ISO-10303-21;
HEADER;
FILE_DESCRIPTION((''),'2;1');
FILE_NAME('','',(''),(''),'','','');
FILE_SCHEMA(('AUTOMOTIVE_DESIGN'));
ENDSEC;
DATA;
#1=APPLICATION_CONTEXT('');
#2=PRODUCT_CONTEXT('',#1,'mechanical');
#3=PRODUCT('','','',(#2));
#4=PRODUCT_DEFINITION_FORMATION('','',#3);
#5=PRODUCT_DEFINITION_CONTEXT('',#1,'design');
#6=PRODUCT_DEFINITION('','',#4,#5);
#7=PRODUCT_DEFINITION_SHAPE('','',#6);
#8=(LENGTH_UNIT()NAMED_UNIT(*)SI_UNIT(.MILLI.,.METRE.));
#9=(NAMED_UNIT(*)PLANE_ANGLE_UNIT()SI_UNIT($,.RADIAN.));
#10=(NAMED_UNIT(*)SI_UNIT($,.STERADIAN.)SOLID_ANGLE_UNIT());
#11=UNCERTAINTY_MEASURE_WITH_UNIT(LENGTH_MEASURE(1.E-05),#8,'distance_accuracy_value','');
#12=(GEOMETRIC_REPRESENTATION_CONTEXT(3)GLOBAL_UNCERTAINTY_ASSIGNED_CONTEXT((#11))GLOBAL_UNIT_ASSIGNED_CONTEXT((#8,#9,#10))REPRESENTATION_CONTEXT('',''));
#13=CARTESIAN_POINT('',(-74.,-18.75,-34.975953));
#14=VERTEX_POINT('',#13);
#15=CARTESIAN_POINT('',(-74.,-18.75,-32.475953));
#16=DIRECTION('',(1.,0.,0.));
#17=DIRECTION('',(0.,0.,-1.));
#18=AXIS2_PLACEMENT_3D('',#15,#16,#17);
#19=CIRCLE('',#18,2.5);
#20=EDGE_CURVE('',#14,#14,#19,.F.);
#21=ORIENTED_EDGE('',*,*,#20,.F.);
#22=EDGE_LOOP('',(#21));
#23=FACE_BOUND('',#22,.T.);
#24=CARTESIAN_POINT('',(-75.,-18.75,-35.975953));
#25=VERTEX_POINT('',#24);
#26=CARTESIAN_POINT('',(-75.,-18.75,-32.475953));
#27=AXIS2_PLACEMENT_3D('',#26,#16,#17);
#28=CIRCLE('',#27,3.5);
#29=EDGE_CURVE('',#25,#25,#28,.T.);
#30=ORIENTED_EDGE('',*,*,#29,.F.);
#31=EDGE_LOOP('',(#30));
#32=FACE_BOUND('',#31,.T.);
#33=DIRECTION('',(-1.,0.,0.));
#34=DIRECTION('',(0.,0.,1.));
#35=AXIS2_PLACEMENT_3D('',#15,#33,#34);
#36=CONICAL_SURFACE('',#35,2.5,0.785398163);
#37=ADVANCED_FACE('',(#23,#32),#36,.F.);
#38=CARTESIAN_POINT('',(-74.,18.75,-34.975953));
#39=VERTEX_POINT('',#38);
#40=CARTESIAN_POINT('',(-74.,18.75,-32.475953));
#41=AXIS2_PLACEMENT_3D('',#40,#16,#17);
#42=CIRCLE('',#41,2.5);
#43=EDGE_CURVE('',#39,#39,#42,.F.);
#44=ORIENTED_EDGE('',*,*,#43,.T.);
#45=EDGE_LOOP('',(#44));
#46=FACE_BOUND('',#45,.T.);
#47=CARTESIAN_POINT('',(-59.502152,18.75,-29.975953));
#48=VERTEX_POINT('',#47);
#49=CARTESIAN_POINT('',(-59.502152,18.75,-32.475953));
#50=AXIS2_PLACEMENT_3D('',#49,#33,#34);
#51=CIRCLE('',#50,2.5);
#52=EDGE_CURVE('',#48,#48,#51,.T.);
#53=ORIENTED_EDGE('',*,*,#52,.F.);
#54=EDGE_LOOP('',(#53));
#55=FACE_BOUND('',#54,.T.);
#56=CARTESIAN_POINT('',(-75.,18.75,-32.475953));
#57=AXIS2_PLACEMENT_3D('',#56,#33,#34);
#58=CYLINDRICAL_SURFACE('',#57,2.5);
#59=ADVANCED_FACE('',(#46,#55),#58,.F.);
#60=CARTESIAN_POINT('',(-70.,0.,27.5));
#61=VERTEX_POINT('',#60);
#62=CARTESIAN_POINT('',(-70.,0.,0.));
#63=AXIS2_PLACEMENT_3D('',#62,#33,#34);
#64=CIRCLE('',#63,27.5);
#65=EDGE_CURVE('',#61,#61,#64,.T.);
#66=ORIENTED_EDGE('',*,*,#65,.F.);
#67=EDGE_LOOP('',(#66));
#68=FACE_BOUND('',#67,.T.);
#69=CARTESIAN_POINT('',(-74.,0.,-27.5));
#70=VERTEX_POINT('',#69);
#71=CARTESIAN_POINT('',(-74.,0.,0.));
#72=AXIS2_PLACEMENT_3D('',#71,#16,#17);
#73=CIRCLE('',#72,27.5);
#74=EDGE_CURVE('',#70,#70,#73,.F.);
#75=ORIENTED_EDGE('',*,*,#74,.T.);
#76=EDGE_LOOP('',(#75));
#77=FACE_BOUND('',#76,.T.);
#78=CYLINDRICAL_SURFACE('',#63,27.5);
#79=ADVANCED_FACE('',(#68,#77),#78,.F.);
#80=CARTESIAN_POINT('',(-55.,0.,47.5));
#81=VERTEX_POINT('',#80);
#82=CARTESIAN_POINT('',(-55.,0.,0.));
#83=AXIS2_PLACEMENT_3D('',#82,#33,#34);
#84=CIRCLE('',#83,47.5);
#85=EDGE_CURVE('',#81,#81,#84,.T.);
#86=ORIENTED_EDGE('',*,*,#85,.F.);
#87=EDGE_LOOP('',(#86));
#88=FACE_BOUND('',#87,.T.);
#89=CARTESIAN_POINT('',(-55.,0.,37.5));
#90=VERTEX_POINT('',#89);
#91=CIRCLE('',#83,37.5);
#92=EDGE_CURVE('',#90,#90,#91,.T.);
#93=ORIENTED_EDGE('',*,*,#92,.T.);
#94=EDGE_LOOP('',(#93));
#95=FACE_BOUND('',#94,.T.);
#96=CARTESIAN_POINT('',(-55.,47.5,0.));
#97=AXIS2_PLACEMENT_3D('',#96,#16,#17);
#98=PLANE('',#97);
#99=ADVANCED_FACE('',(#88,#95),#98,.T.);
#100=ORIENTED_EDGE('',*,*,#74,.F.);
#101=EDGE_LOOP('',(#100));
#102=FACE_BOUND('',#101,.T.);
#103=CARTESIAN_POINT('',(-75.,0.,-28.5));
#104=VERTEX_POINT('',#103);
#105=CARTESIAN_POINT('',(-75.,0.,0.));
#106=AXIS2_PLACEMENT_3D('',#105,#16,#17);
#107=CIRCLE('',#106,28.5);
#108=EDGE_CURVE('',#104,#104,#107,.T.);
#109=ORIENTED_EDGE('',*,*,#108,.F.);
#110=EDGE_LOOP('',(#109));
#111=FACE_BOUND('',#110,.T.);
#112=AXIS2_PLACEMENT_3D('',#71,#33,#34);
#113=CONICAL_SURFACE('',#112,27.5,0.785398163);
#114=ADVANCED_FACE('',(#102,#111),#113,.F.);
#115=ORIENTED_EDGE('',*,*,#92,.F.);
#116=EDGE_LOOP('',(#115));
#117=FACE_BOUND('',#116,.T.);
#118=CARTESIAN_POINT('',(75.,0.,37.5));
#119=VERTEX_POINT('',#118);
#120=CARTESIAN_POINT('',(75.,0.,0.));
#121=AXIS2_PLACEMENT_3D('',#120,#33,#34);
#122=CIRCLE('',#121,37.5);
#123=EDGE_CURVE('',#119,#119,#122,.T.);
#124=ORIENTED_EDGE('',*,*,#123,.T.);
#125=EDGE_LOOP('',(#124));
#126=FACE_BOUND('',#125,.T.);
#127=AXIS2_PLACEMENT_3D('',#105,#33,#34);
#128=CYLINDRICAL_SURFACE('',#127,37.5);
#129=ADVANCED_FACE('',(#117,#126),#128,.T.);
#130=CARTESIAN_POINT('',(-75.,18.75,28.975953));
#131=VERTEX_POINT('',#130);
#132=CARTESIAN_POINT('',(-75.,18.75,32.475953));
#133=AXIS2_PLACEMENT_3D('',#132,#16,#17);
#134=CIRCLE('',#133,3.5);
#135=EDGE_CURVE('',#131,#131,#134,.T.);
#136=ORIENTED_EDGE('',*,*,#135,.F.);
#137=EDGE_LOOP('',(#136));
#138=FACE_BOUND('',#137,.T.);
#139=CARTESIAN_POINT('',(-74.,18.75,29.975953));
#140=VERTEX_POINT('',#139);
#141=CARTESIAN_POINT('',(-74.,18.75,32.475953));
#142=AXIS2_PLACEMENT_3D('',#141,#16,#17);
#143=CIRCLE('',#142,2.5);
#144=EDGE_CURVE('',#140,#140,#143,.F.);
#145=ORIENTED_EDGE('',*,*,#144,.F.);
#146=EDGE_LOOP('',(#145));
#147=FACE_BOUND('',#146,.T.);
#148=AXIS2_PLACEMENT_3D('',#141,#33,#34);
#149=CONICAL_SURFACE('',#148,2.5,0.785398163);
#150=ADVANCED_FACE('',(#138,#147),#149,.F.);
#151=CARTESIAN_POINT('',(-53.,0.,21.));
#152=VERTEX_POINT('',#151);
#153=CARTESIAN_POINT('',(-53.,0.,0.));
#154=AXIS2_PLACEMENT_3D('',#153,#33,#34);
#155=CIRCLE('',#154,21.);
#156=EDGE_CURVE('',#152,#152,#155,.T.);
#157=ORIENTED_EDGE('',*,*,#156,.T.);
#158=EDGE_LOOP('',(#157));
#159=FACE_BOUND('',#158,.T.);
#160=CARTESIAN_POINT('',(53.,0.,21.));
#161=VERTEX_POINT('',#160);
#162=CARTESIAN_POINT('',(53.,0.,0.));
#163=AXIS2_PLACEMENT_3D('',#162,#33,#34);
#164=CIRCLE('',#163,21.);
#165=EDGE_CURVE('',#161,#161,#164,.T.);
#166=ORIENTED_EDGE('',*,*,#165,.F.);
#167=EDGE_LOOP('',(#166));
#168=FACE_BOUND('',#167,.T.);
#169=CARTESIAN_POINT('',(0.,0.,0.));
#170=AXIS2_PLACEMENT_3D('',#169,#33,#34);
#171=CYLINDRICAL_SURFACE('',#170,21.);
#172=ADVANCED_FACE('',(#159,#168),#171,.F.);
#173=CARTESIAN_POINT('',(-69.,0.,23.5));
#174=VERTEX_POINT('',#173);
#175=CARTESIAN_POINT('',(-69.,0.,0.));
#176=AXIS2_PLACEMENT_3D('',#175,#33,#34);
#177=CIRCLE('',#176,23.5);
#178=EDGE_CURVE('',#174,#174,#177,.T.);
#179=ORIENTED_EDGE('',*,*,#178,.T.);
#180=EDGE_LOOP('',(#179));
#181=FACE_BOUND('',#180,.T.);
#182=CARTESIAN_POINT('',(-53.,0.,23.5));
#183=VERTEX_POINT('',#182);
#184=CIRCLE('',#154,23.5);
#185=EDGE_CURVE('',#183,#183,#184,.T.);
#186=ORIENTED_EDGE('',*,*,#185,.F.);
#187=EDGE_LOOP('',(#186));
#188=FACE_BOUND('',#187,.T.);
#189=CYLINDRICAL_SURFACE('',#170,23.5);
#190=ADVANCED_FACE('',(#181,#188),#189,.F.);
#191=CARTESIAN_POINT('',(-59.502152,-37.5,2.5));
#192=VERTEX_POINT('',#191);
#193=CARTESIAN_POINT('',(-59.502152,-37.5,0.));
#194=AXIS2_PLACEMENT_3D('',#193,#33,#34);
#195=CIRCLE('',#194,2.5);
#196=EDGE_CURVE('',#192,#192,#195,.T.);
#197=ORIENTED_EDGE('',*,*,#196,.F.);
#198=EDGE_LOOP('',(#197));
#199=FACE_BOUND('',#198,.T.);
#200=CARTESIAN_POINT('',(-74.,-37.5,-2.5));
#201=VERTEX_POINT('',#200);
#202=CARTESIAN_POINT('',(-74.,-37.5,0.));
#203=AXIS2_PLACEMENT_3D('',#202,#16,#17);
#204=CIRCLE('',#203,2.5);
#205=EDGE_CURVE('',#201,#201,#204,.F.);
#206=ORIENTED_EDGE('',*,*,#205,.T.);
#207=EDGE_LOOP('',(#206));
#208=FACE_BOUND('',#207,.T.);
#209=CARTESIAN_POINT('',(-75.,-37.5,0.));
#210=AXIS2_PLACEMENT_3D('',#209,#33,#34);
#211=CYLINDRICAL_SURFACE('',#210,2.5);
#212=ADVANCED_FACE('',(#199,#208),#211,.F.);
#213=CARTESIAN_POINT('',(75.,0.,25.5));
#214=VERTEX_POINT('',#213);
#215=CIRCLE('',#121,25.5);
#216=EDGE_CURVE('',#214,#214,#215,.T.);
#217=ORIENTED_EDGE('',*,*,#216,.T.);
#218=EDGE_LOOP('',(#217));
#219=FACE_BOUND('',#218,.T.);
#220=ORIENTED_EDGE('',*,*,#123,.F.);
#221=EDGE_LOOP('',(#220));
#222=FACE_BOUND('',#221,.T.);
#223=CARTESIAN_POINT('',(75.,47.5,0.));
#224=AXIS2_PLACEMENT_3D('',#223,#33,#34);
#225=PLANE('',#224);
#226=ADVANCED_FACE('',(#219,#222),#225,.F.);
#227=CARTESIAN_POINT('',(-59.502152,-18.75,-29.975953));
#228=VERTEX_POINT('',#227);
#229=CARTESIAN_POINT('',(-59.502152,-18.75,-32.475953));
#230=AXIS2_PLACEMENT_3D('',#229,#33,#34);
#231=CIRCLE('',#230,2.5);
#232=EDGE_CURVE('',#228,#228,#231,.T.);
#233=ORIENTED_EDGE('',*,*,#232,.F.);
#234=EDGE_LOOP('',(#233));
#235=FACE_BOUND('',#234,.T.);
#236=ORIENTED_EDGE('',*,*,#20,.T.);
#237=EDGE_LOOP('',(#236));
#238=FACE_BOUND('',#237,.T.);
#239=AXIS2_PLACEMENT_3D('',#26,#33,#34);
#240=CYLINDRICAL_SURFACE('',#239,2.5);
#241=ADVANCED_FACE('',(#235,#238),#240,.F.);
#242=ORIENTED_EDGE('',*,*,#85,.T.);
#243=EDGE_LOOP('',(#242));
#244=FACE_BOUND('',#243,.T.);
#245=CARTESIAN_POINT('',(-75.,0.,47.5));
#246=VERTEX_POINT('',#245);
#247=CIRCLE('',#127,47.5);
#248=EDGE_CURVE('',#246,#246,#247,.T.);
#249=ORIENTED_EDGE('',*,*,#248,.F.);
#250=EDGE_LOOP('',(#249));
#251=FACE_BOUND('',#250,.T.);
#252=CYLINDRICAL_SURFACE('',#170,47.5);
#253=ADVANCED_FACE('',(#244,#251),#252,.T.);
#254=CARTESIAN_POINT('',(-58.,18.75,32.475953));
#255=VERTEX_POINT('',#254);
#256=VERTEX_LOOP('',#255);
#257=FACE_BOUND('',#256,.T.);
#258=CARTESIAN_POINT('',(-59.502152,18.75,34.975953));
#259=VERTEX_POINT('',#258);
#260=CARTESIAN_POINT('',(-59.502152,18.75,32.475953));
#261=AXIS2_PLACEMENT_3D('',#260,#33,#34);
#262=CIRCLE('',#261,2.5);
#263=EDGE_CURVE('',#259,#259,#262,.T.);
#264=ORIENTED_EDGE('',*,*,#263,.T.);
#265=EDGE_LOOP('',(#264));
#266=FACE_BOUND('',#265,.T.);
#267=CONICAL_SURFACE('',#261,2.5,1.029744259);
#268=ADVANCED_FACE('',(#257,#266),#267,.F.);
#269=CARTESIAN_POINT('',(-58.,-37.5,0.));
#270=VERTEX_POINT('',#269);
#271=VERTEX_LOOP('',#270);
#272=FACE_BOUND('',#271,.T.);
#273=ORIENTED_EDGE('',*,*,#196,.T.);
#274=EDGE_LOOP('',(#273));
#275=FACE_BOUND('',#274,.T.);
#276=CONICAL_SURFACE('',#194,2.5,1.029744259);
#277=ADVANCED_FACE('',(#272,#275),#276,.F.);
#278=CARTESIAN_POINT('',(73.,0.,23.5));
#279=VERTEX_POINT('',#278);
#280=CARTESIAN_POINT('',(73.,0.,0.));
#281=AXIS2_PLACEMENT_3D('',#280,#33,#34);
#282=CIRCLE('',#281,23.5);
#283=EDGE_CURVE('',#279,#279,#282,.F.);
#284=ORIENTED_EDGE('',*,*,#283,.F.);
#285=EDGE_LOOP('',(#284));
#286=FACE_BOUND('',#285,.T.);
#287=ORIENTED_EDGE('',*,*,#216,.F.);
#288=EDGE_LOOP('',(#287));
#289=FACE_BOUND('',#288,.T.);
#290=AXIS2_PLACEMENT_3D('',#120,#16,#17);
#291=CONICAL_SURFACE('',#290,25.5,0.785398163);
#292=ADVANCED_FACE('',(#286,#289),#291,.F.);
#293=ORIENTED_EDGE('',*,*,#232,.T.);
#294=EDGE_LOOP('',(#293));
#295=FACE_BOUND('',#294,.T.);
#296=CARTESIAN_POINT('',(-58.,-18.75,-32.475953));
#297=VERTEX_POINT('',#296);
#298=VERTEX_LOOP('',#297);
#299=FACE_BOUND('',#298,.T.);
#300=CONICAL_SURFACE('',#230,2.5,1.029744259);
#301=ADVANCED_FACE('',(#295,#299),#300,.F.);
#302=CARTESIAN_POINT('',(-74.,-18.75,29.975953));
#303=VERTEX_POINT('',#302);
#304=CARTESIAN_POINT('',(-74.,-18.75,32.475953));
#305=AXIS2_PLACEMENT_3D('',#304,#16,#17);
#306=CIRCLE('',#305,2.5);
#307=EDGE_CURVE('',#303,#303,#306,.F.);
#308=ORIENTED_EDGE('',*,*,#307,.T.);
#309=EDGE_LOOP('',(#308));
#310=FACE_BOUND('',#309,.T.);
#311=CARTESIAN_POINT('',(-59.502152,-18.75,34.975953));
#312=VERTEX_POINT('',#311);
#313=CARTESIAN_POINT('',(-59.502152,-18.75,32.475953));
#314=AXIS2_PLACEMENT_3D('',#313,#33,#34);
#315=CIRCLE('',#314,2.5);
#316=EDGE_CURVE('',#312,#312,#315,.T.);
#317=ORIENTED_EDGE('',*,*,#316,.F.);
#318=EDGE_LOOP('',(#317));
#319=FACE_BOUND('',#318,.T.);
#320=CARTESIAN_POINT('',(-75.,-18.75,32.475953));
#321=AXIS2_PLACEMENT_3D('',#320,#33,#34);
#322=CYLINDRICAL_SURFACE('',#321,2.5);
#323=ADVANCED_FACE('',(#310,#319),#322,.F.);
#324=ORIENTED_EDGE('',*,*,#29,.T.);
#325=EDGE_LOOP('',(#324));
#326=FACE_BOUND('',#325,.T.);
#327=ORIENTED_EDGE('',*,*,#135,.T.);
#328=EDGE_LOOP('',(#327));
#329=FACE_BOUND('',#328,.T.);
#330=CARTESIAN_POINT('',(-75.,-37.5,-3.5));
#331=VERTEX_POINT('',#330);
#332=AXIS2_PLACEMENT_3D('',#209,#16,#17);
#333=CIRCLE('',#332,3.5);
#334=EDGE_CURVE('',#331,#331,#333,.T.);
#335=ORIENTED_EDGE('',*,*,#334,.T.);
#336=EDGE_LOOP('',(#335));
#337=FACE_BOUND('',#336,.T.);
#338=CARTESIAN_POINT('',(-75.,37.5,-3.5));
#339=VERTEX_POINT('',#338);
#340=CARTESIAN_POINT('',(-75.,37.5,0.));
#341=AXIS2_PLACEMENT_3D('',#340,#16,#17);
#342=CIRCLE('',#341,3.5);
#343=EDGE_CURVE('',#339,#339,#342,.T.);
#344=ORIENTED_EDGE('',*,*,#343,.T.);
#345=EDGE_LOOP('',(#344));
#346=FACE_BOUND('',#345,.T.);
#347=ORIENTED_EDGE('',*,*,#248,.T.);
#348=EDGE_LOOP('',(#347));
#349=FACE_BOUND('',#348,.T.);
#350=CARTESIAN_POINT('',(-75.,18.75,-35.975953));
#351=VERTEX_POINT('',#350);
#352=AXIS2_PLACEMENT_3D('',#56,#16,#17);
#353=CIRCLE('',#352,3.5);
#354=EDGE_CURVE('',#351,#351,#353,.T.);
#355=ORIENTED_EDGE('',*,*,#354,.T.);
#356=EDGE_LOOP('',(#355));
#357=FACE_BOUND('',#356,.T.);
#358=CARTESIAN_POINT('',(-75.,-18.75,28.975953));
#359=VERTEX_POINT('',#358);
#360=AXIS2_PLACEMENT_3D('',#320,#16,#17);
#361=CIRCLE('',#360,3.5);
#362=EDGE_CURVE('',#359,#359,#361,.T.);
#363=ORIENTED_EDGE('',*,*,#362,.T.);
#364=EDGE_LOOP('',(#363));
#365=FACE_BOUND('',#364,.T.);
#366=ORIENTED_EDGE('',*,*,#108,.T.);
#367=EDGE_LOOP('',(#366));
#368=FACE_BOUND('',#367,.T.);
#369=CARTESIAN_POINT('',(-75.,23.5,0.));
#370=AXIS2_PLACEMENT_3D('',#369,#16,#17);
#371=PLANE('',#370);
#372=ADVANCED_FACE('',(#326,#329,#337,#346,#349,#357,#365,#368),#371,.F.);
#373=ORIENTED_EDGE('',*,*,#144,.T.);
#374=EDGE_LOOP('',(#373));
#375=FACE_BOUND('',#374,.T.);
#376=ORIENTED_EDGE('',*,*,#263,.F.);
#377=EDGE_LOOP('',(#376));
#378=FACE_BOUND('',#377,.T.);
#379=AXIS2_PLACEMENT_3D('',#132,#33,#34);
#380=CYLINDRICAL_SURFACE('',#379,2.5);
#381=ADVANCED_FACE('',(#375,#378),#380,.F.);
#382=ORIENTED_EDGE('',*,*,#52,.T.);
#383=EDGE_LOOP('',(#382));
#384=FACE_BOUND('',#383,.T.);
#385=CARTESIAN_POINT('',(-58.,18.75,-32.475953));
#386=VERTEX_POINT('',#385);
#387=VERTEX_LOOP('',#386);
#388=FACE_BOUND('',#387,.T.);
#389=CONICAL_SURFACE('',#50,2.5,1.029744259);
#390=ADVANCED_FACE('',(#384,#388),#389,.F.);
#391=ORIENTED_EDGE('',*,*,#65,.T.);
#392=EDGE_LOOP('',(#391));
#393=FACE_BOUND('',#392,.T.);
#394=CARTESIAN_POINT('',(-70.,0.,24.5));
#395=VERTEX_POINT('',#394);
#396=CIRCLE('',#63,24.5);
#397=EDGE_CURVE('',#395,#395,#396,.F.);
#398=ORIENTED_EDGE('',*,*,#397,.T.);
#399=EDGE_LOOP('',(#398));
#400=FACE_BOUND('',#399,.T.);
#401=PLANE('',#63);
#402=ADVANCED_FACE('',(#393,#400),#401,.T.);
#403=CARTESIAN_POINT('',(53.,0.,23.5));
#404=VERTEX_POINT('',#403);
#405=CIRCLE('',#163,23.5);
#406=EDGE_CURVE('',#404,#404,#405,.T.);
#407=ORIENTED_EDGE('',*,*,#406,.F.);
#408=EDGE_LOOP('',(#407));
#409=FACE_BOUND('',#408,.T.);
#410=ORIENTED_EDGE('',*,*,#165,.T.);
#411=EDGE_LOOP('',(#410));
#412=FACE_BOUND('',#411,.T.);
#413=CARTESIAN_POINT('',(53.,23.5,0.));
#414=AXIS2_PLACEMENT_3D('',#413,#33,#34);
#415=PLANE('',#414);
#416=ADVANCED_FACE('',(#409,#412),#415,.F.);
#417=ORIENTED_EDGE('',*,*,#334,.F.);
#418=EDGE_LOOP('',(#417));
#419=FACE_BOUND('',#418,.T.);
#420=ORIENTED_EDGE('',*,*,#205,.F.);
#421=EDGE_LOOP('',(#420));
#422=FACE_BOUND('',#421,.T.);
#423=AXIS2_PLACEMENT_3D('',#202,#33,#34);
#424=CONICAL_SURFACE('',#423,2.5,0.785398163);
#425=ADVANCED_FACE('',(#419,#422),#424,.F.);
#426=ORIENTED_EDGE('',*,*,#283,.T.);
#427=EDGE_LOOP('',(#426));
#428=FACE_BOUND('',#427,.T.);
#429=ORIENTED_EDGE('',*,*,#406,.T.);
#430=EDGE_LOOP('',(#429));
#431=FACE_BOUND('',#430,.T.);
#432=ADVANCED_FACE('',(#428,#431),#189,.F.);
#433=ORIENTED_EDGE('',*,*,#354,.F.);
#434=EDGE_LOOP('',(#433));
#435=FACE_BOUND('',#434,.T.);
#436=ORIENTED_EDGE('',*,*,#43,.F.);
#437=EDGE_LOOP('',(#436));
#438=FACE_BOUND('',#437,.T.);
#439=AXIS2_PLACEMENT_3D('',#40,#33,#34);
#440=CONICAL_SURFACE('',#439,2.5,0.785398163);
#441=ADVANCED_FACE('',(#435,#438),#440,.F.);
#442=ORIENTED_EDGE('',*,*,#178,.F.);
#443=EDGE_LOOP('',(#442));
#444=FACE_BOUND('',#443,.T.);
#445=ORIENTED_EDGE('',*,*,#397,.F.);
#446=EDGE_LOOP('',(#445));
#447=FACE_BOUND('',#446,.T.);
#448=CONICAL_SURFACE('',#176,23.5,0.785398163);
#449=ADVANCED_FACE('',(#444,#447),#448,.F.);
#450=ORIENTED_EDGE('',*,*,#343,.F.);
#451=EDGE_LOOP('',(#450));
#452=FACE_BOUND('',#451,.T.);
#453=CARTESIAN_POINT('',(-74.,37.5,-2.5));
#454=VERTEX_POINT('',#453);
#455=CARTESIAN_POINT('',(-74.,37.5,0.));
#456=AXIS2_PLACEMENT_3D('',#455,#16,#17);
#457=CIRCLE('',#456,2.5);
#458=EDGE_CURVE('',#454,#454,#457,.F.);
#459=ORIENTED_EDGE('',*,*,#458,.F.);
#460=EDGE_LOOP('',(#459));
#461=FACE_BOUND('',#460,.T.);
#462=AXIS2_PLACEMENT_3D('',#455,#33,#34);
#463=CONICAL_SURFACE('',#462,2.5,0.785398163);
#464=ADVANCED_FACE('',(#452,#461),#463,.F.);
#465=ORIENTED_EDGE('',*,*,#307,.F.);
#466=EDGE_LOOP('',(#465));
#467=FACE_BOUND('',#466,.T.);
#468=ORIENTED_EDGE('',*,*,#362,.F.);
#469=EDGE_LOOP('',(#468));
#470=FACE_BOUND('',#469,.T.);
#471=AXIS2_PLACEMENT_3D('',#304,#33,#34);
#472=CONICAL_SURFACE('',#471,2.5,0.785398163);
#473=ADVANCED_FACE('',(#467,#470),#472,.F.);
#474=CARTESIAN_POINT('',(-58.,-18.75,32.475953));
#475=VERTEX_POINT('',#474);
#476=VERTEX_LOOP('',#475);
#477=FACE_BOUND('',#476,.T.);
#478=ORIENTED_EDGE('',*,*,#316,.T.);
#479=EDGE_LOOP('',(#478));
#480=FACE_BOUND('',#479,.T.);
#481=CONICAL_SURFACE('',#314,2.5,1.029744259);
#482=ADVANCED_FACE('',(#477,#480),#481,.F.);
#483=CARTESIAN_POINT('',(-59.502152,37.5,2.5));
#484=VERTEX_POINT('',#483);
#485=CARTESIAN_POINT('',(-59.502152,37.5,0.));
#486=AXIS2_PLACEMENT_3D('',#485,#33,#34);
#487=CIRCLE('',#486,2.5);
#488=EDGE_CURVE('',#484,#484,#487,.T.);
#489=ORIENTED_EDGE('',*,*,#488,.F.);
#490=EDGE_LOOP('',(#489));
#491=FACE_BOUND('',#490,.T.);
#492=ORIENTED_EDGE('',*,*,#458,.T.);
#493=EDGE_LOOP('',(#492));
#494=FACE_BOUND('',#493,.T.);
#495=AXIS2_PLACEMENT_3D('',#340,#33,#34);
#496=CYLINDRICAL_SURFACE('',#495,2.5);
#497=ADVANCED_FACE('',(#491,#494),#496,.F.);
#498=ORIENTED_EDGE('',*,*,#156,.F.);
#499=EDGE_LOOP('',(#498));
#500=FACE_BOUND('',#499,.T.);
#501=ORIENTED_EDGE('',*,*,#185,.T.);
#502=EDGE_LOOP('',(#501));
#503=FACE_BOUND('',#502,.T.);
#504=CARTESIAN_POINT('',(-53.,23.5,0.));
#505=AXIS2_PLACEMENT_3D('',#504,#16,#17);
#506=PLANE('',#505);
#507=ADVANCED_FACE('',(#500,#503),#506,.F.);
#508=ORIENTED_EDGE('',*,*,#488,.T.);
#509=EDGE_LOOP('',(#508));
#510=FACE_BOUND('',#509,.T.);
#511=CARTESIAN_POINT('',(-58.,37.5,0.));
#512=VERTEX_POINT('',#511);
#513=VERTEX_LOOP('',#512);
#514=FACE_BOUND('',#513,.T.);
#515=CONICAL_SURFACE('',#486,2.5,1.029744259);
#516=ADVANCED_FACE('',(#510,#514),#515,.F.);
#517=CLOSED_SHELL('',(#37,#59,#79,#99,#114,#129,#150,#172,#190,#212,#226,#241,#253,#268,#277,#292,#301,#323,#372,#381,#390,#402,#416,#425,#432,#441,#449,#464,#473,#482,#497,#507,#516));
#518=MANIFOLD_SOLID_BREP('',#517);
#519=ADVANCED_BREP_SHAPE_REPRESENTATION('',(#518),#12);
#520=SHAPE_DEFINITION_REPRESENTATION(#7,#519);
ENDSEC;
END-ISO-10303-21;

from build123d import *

# Parameters (mm, degrees)
PATTERN_CIRCULAR_1_COUNT = 6
CHAMFER_2_SIZE           = 1
CHAMFER_1_SIZE           = 2
SKETCH_5_W               = 130
SKETCH_5_H               = 10
SKETCH_6_R               = 27.5
SKETCH_6_R_2             = 23.5
CUT_EXTRUDE_1_DEPTH      = 5
CHAMFER_3_SIZE           = 1


with BuildPart() as part:
    # Эскиз1 → Повернуть1 (revolve)
    with BuildSketch(Plane.XY, mode=Mode.PRIVATE) as revolve_1_sk:
        Polygon((-75, 23.5), (-75, 47.5), (75, 47.5), (75, 23.5), (53, 23.5), (53, 21), (-53, 21), (-53, 23.5), align=None)
    revolve(revolve_1_sk.sketch.rotate(Axis((0, 0, 0), (1, 0, 0)), 90), axis=Axis((0, 0, 0), (1, 0, 0)))

    # Эскиз3 → Отверстие обработанное метчиком M61 (revolve, cut)
    with BuildSketch(Plane(origin=(-75, 37.5, 0), x_dir=(0, 0, 1), z_dir=(0, 1, 0))):
        Polygon((0, 0), (0, 17), (2.5, 15.497848452), (2.5, 0), align=None)
    hole_wizard_m61 = revolve(axis=Axis((-81.35, 37.5, 0), (1, 0, 0)), mode=Mode.SUBTRACT)

    # Круговой массив1: Отверстие обработанное метчиком M61 ×6 about axis
    pattern_circular_1_axis = Axis((0, 0, 0), (1, 0, 0))
    for i in range(1, PATTERN_CIRCULAR_1_COUNT):
        add(hole_wizard_m61.rotate(pattern_circular_1_axis, i * 360 / PATTERN_CIRCULAR_1_COUNT), mode=Mode.SUBTRACT)

    # Фаска2
    chamfer_2_edges = [part.edges().sort_by_distance(p)[0] for p in [
        (-75, 37.5, -2.5),
        (-75, 16.584936491, -33.725952642),
        (-75, -20.915063509, -31.225952642),
        (-75, -37.5, 2.5),
        (-75, -16.584936491, 33.725952642),
        (-75, 20.915063509, 31.225952642),
    ]]
    chamfer(chamfer_2_edges, length=CHAMFER_2_SIZE)

    # Фаска1
    chamfer_1_edges = [part.edges().sort_by_distance(p)[0] for p in [
        (75, 0, -23.5),
    ]]
    chamfer(chamfer_1_edges, length=CHAMFER_1_SIZE)

    # Эскиз5 → Вырез-Повернуть1 (revolve, cut)
    with BuildSketch(Plane.XY, mode=Mode.PRIVATE) as cut_revolve_1_sk:
        with Locations((10, 42.5)):
            Rectangle(SKETCH_5_W, SKETCH_5_H)
    revolve(cut_revolve_1_sk.sketch.rotate(Axis((-75, 0, 0), (1, 0, 0)), 90), axis=Axis((-75, 0, 0), (1, 0, 0)), mode=Mode.SUBTRACT)

    # Эскиз6 → Вырез-Вытянуть1 (cut)
    with BuildSketch(Plane.ZY.offset(75)):
        Circle(SKETCH_6_R)
        Circle(SKETCH_6_R_2, mode=Mode.SUBTRACT)
    extrude(amount=-CUT_EXTRUDE_1_DEPTH, mode=Mode.SUBTRACT)

    # Фаска3
    chamfer_3_edges = [part.edges().sort_by_distance(p)[0] for p in [
        (-70, 0, -23.5),
        (-75, 0, -27.5),
    ]]
    chamfer(chamfer_3_edges, length=CHAMFER_3_SIZE)


solid = part.part
